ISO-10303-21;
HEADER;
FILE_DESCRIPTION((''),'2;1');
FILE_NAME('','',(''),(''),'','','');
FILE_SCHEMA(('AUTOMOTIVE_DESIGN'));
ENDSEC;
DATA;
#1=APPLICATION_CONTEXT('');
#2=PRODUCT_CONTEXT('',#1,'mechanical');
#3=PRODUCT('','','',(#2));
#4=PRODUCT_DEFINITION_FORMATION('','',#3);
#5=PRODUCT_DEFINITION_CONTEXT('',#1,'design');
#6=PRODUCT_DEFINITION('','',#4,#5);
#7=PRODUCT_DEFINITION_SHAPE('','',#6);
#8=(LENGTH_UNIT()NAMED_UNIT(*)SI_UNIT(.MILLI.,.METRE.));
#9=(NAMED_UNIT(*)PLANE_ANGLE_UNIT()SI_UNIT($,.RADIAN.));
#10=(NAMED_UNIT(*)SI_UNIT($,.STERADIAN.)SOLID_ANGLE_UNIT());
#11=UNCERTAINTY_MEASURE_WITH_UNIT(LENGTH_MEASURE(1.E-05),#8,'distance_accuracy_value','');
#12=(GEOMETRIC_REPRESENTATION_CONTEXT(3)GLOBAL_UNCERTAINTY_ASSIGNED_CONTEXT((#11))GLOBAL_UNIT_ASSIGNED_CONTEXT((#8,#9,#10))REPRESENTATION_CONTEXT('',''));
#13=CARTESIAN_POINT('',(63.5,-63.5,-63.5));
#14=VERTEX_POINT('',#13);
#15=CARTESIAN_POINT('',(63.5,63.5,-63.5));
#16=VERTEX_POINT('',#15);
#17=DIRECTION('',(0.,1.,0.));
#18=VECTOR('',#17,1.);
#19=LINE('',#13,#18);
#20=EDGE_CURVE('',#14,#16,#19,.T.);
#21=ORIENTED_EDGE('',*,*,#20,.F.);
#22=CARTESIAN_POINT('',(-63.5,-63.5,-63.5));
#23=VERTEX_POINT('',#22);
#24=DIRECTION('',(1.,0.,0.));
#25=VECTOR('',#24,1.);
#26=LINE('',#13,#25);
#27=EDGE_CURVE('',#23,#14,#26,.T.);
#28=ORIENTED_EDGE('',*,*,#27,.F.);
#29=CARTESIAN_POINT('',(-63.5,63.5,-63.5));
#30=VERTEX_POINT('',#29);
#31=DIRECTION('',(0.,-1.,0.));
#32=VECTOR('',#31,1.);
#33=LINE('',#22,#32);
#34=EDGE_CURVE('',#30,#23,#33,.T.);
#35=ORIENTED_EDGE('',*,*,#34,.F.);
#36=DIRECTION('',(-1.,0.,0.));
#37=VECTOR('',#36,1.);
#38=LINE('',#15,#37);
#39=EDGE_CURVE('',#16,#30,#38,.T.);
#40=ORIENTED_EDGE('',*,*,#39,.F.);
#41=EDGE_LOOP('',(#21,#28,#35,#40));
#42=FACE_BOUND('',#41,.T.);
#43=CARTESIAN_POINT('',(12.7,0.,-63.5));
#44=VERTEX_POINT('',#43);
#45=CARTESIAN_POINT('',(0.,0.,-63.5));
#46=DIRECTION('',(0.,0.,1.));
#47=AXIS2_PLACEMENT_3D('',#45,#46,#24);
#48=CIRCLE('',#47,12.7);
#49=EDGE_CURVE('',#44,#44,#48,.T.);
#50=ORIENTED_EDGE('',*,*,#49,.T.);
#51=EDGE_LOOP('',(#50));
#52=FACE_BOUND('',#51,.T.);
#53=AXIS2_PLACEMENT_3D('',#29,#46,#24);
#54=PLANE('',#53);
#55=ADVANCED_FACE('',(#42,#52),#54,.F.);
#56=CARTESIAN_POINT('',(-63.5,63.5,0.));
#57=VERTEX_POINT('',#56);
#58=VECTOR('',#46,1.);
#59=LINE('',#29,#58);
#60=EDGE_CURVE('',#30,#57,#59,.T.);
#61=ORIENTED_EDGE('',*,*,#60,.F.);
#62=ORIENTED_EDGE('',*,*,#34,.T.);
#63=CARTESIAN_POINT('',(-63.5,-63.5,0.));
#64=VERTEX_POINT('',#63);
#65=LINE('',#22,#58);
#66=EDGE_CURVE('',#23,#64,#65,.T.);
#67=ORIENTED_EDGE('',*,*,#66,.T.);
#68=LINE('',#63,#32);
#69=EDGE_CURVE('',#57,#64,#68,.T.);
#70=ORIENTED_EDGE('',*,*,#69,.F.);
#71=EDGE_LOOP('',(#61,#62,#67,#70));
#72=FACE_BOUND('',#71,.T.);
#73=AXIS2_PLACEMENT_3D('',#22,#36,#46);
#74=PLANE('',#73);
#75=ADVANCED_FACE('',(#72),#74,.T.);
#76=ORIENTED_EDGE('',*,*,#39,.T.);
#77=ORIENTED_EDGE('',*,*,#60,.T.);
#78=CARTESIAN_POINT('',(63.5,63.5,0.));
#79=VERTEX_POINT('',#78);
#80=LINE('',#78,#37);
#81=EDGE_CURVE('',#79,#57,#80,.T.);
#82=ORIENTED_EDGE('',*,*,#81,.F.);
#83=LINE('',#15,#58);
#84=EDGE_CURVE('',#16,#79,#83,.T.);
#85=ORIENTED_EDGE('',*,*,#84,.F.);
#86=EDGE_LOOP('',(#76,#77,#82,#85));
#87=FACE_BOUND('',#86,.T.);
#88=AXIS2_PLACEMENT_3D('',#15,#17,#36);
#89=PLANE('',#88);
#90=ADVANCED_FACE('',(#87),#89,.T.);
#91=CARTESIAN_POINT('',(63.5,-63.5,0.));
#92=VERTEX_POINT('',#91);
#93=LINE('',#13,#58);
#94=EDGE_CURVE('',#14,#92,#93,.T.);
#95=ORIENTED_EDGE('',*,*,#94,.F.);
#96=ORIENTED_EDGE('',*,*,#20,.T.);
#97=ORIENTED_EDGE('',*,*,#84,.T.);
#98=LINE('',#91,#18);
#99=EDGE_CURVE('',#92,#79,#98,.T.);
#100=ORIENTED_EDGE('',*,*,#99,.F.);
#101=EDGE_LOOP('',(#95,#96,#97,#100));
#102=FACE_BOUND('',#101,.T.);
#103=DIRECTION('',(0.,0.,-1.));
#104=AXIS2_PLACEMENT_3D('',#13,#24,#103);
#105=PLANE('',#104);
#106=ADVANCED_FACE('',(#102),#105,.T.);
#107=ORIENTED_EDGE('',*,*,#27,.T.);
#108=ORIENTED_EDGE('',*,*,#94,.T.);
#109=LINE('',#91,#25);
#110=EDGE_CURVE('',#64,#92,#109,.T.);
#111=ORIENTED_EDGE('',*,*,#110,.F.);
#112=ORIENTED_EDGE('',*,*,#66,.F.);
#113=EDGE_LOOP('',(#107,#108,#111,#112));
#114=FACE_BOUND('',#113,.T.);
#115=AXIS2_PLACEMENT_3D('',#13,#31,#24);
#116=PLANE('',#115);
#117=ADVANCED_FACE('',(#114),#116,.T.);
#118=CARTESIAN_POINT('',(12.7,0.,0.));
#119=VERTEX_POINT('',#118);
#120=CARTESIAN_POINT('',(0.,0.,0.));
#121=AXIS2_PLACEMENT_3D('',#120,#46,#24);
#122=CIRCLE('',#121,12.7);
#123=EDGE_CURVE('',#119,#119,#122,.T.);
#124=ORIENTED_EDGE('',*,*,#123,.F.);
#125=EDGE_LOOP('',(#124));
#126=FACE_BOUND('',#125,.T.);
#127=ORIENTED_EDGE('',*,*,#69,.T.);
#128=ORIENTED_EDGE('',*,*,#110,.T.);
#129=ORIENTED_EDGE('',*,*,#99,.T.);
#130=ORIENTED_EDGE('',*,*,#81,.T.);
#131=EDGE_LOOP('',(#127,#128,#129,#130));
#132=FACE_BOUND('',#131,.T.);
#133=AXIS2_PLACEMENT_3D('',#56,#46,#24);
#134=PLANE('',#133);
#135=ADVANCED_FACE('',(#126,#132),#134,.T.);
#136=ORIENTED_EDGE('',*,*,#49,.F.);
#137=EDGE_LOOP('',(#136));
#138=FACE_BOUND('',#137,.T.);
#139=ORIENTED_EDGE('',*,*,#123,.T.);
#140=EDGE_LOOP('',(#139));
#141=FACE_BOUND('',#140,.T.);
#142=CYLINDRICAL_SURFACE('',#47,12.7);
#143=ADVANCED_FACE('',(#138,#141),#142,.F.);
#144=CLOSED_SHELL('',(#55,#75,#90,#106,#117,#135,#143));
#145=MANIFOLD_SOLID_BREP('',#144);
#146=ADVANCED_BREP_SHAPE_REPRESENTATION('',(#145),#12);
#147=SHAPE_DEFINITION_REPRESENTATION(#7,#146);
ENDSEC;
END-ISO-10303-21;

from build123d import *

# Parameters (mm, degrees)
SKETCH1_W           = 127
SKETCH1_H           = 127
BOSS_EXTRUDE1_DEPTH = 63.5
SKETCH2_R           = 12.7
CUT_EXTRUDE1_DEPTH  = 63.5


with BuildPart() as part:
    # Sketch1 → Boss-Extrude1 (new body)
    with BuildSketch(Plane.XY):
        Rectangle(SKETCH1_W, SKETCH1_H)
    extrude(amount=-BOSS_EXTRUDE1_DEPTH)

    # Sketch2 → Cut-Extrude1 (cut)
    with BuildSketch(Plane.XY):
        Circle(SKETCH2_R)
    extrude(amount=-CUT_EXTRUDE1_DEPTH, mode=Mode.SUBTRACT)


solid = part.part
